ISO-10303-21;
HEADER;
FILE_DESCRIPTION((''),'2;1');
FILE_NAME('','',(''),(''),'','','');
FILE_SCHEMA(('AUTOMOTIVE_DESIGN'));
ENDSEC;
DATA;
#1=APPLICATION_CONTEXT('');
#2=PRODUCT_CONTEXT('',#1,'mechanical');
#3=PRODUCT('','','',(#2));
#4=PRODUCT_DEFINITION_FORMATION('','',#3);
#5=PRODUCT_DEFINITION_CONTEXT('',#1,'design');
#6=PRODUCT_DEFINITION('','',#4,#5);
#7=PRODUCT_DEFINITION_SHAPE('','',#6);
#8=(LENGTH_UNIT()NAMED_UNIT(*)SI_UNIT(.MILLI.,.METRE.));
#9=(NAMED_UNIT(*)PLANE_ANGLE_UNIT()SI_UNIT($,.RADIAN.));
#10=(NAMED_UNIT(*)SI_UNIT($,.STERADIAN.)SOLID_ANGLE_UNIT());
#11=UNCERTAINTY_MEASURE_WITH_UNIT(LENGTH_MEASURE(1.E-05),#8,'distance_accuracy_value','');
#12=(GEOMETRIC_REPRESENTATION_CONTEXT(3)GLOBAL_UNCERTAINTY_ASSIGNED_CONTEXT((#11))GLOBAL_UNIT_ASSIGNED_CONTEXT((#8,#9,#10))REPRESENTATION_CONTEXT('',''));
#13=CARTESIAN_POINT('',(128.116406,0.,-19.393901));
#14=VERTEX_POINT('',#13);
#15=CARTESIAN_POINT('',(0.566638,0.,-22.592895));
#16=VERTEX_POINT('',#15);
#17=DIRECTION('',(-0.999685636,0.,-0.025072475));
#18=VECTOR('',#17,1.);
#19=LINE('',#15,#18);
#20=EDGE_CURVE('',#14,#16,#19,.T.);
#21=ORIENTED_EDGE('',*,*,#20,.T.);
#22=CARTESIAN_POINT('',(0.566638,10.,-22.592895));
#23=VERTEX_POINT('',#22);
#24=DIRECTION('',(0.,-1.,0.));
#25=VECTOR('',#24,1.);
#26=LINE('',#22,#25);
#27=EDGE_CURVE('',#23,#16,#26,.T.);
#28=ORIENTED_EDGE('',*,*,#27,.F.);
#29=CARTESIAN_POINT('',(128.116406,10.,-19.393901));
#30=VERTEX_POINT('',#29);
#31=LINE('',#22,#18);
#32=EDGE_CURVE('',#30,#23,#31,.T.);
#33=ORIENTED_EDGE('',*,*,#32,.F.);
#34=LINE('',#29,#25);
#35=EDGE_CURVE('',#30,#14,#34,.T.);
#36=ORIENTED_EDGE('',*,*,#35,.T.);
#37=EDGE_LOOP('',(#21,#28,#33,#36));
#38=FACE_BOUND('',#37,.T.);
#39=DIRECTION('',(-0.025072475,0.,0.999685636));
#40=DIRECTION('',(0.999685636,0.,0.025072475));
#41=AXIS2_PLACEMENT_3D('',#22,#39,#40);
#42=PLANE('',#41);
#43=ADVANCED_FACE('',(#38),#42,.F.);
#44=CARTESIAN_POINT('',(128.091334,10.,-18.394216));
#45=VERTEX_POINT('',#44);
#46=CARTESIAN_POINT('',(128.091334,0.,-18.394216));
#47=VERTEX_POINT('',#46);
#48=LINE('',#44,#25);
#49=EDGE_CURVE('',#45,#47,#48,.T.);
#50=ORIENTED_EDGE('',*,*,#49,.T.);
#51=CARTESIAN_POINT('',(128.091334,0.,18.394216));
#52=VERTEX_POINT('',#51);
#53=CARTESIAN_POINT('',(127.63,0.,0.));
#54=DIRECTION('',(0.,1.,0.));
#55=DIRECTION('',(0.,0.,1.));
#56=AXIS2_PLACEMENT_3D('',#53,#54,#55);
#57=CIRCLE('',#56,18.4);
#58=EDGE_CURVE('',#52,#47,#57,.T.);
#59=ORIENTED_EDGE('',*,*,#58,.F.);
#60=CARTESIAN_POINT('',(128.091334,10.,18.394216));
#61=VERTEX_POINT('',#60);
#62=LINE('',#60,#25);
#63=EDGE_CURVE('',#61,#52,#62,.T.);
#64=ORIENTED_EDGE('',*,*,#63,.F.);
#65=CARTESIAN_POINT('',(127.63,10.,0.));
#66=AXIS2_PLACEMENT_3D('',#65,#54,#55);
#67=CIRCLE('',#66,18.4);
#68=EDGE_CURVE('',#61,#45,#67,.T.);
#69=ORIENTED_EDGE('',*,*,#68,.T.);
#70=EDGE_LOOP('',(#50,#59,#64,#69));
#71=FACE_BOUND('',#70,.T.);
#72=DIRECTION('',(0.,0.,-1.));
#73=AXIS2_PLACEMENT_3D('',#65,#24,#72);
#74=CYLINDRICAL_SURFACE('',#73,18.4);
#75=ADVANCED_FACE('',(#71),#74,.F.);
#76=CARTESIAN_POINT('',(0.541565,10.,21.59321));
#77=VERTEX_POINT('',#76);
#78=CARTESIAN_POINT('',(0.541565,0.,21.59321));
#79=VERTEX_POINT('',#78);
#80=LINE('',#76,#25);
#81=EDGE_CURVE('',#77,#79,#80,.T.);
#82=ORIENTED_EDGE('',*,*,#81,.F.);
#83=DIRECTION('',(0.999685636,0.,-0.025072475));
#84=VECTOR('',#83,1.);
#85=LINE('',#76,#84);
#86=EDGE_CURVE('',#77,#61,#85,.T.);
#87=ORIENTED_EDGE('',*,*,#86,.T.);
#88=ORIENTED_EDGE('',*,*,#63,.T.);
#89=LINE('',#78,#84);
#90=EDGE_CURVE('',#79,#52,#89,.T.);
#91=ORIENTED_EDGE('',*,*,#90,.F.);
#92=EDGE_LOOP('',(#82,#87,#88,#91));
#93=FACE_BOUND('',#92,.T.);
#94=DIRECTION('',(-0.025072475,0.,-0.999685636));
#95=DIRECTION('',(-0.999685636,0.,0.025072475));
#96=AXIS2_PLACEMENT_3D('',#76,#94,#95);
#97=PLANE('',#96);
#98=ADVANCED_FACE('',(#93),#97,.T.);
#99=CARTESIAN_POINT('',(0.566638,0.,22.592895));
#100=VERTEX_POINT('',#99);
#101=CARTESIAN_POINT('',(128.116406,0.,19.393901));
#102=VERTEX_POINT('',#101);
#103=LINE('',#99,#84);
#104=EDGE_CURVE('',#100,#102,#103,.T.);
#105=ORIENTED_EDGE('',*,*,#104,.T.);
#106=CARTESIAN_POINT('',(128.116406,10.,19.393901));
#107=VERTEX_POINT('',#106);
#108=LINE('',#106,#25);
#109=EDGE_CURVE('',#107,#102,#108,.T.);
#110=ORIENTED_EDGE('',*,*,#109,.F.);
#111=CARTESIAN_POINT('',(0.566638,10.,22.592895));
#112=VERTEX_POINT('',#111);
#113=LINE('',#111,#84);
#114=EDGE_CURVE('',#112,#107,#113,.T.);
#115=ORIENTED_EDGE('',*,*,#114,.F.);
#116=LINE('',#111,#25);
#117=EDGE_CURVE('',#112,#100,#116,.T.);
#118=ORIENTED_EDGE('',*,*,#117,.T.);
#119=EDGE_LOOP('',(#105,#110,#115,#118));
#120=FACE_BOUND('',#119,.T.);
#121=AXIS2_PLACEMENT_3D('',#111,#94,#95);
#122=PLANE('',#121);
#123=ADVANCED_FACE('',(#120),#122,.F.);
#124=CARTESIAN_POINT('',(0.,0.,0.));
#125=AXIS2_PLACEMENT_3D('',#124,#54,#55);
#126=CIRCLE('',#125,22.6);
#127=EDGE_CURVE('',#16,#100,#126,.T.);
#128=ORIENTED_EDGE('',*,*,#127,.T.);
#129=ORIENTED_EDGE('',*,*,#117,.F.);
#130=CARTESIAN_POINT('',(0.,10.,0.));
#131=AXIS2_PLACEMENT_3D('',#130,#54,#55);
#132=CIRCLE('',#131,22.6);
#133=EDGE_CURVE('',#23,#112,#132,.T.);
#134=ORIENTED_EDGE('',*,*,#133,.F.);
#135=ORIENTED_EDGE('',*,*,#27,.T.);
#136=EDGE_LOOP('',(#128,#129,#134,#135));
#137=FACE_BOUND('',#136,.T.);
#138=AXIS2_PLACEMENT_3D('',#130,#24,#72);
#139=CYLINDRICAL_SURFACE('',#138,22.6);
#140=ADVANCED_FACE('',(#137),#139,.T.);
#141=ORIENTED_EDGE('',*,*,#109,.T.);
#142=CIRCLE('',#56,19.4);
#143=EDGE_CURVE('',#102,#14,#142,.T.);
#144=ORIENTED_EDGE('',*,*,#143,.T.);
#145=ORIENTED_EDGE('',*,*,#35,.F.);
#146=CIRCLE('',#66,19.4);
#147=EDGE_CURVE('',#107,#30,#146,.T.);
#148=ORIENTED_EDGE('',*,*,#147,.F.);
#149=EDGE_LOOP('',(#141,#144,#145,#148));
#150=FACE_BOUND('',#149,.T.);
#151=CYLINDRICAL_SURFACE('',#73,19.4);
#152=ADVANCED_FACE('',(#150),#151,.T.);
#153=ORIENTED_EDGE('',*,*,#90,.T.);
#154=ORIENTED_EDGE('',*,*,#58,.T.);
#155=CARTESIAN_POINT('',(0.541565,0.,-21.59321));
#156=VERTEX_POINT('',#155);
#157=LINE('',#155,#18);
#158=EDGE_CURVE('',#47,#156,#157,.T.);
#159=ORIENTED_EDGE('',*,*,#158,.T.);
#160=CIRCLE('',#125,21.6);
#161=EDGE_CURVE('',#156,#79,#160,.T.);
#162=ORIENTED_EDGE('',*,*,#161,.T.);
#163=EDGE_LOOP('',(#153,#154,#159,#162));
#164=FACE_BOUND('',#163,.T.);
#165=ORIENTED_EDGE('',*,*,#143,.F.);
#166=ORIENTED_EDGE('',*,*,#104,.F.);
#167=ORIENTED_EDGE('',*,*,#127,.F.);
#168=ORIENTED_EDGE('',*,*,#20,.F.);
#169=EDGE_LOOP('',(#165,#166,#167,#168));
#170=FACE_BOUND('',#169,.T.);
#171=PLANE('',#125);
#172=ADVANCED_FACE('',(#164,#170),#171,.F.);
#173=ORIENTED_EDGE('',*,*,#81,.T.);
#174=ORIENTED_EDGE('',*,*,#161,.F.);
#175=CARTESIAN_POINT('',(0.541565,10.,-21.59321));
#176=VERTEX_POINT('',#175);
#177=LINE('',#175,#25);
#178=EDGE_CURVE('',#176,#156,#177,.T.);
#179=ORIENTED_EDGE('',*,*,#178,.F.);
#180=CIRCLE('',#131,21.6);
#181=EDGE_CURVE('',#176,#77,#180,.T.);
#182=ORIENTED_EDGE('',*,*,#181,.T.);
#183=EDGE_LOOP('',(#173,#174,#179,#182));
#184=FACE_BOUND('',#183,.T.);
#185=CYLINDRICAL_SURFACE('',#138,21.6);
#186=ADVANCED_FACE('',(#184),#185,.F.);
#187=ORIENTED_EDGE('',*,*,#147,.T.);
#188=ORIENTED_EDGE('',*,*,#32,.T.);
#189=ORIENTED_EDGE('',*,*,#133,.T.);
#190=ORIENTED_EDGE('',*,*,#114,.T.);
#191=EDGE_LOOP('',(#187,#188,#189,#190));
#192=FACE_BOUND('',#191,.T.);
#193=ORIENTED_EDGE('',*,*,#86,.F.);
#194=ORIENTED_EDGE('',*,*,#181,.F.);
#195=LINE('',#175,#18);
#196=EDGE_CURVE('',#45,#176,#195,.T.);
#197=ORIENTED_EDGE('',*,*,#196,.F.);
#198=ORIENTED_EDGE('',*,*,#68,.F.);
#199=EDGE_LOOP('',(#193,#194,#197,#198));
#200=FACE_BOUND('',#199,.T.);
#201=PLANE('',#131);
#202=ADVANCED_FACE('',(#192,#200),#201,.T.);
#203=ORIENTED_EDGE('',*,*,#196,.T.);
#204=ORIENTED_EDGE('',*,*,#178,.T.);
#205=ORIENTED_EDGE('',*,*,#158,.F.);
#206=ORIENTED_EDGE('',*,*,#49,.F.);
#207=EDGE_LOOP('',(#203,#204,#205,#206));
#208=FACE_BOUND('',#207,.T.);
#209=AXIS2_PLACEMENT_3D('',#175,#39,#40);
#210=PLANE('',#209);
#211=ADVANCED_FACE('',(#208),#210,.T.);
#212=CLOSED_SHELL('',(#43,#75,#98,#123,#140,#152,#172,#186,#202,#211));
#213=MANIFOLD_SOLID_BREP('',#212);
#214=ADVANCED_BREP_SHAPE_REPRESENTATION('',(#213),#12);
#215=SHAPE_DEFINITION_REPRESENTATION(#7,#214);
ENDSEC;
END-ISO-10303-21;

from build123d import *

# Parameters (mm, degrees)
BOSS_EXTRUDE1_DEPTH = 10


with BuildPart() as part:
    # Sketch1 → Boss-Extrude1 (new body)
    with BuildSketch(Plane(origin=(0, 0, 0), x_dir=(1, 0, 0), z_dir=(0, 1, 0))):
        with BuildLine():
            Line((0.566637938, 22.592895375), (128.116406017, 19.39390134))
            ThreePointArc((128.116406017, 19.39390134), (147.03, 0), (128.116406017, -19.39390134))
            Line((128.116406017, -19.39390134), (0.566637938, -22.592895375))
            ThreePointArc((0.566637938, -22.592895375), (-22.6, 0), (0.566637938, 22.592895375))
        make_face()
        with BuildLine():
            Line((0.541565463, 21.593209739), (128.091333542, 18.394215704))
            ThreePointArc((128.091333542, 18.394215704), (146.03, 0), (128.091333542, -18.394215704))
            Line((128.091333542, -18.394215704), (0.541565463, -21.593209739))
            ThreePointArc((0.541565463, -21.593209739), (-21.6, 0), (0.541565463, 21.593209739))
        make_face(mode=Mode.SUBTRACT)
    extrude(amount=BOSS_EXTRUDE1_DEPTH)


solid = part.part
